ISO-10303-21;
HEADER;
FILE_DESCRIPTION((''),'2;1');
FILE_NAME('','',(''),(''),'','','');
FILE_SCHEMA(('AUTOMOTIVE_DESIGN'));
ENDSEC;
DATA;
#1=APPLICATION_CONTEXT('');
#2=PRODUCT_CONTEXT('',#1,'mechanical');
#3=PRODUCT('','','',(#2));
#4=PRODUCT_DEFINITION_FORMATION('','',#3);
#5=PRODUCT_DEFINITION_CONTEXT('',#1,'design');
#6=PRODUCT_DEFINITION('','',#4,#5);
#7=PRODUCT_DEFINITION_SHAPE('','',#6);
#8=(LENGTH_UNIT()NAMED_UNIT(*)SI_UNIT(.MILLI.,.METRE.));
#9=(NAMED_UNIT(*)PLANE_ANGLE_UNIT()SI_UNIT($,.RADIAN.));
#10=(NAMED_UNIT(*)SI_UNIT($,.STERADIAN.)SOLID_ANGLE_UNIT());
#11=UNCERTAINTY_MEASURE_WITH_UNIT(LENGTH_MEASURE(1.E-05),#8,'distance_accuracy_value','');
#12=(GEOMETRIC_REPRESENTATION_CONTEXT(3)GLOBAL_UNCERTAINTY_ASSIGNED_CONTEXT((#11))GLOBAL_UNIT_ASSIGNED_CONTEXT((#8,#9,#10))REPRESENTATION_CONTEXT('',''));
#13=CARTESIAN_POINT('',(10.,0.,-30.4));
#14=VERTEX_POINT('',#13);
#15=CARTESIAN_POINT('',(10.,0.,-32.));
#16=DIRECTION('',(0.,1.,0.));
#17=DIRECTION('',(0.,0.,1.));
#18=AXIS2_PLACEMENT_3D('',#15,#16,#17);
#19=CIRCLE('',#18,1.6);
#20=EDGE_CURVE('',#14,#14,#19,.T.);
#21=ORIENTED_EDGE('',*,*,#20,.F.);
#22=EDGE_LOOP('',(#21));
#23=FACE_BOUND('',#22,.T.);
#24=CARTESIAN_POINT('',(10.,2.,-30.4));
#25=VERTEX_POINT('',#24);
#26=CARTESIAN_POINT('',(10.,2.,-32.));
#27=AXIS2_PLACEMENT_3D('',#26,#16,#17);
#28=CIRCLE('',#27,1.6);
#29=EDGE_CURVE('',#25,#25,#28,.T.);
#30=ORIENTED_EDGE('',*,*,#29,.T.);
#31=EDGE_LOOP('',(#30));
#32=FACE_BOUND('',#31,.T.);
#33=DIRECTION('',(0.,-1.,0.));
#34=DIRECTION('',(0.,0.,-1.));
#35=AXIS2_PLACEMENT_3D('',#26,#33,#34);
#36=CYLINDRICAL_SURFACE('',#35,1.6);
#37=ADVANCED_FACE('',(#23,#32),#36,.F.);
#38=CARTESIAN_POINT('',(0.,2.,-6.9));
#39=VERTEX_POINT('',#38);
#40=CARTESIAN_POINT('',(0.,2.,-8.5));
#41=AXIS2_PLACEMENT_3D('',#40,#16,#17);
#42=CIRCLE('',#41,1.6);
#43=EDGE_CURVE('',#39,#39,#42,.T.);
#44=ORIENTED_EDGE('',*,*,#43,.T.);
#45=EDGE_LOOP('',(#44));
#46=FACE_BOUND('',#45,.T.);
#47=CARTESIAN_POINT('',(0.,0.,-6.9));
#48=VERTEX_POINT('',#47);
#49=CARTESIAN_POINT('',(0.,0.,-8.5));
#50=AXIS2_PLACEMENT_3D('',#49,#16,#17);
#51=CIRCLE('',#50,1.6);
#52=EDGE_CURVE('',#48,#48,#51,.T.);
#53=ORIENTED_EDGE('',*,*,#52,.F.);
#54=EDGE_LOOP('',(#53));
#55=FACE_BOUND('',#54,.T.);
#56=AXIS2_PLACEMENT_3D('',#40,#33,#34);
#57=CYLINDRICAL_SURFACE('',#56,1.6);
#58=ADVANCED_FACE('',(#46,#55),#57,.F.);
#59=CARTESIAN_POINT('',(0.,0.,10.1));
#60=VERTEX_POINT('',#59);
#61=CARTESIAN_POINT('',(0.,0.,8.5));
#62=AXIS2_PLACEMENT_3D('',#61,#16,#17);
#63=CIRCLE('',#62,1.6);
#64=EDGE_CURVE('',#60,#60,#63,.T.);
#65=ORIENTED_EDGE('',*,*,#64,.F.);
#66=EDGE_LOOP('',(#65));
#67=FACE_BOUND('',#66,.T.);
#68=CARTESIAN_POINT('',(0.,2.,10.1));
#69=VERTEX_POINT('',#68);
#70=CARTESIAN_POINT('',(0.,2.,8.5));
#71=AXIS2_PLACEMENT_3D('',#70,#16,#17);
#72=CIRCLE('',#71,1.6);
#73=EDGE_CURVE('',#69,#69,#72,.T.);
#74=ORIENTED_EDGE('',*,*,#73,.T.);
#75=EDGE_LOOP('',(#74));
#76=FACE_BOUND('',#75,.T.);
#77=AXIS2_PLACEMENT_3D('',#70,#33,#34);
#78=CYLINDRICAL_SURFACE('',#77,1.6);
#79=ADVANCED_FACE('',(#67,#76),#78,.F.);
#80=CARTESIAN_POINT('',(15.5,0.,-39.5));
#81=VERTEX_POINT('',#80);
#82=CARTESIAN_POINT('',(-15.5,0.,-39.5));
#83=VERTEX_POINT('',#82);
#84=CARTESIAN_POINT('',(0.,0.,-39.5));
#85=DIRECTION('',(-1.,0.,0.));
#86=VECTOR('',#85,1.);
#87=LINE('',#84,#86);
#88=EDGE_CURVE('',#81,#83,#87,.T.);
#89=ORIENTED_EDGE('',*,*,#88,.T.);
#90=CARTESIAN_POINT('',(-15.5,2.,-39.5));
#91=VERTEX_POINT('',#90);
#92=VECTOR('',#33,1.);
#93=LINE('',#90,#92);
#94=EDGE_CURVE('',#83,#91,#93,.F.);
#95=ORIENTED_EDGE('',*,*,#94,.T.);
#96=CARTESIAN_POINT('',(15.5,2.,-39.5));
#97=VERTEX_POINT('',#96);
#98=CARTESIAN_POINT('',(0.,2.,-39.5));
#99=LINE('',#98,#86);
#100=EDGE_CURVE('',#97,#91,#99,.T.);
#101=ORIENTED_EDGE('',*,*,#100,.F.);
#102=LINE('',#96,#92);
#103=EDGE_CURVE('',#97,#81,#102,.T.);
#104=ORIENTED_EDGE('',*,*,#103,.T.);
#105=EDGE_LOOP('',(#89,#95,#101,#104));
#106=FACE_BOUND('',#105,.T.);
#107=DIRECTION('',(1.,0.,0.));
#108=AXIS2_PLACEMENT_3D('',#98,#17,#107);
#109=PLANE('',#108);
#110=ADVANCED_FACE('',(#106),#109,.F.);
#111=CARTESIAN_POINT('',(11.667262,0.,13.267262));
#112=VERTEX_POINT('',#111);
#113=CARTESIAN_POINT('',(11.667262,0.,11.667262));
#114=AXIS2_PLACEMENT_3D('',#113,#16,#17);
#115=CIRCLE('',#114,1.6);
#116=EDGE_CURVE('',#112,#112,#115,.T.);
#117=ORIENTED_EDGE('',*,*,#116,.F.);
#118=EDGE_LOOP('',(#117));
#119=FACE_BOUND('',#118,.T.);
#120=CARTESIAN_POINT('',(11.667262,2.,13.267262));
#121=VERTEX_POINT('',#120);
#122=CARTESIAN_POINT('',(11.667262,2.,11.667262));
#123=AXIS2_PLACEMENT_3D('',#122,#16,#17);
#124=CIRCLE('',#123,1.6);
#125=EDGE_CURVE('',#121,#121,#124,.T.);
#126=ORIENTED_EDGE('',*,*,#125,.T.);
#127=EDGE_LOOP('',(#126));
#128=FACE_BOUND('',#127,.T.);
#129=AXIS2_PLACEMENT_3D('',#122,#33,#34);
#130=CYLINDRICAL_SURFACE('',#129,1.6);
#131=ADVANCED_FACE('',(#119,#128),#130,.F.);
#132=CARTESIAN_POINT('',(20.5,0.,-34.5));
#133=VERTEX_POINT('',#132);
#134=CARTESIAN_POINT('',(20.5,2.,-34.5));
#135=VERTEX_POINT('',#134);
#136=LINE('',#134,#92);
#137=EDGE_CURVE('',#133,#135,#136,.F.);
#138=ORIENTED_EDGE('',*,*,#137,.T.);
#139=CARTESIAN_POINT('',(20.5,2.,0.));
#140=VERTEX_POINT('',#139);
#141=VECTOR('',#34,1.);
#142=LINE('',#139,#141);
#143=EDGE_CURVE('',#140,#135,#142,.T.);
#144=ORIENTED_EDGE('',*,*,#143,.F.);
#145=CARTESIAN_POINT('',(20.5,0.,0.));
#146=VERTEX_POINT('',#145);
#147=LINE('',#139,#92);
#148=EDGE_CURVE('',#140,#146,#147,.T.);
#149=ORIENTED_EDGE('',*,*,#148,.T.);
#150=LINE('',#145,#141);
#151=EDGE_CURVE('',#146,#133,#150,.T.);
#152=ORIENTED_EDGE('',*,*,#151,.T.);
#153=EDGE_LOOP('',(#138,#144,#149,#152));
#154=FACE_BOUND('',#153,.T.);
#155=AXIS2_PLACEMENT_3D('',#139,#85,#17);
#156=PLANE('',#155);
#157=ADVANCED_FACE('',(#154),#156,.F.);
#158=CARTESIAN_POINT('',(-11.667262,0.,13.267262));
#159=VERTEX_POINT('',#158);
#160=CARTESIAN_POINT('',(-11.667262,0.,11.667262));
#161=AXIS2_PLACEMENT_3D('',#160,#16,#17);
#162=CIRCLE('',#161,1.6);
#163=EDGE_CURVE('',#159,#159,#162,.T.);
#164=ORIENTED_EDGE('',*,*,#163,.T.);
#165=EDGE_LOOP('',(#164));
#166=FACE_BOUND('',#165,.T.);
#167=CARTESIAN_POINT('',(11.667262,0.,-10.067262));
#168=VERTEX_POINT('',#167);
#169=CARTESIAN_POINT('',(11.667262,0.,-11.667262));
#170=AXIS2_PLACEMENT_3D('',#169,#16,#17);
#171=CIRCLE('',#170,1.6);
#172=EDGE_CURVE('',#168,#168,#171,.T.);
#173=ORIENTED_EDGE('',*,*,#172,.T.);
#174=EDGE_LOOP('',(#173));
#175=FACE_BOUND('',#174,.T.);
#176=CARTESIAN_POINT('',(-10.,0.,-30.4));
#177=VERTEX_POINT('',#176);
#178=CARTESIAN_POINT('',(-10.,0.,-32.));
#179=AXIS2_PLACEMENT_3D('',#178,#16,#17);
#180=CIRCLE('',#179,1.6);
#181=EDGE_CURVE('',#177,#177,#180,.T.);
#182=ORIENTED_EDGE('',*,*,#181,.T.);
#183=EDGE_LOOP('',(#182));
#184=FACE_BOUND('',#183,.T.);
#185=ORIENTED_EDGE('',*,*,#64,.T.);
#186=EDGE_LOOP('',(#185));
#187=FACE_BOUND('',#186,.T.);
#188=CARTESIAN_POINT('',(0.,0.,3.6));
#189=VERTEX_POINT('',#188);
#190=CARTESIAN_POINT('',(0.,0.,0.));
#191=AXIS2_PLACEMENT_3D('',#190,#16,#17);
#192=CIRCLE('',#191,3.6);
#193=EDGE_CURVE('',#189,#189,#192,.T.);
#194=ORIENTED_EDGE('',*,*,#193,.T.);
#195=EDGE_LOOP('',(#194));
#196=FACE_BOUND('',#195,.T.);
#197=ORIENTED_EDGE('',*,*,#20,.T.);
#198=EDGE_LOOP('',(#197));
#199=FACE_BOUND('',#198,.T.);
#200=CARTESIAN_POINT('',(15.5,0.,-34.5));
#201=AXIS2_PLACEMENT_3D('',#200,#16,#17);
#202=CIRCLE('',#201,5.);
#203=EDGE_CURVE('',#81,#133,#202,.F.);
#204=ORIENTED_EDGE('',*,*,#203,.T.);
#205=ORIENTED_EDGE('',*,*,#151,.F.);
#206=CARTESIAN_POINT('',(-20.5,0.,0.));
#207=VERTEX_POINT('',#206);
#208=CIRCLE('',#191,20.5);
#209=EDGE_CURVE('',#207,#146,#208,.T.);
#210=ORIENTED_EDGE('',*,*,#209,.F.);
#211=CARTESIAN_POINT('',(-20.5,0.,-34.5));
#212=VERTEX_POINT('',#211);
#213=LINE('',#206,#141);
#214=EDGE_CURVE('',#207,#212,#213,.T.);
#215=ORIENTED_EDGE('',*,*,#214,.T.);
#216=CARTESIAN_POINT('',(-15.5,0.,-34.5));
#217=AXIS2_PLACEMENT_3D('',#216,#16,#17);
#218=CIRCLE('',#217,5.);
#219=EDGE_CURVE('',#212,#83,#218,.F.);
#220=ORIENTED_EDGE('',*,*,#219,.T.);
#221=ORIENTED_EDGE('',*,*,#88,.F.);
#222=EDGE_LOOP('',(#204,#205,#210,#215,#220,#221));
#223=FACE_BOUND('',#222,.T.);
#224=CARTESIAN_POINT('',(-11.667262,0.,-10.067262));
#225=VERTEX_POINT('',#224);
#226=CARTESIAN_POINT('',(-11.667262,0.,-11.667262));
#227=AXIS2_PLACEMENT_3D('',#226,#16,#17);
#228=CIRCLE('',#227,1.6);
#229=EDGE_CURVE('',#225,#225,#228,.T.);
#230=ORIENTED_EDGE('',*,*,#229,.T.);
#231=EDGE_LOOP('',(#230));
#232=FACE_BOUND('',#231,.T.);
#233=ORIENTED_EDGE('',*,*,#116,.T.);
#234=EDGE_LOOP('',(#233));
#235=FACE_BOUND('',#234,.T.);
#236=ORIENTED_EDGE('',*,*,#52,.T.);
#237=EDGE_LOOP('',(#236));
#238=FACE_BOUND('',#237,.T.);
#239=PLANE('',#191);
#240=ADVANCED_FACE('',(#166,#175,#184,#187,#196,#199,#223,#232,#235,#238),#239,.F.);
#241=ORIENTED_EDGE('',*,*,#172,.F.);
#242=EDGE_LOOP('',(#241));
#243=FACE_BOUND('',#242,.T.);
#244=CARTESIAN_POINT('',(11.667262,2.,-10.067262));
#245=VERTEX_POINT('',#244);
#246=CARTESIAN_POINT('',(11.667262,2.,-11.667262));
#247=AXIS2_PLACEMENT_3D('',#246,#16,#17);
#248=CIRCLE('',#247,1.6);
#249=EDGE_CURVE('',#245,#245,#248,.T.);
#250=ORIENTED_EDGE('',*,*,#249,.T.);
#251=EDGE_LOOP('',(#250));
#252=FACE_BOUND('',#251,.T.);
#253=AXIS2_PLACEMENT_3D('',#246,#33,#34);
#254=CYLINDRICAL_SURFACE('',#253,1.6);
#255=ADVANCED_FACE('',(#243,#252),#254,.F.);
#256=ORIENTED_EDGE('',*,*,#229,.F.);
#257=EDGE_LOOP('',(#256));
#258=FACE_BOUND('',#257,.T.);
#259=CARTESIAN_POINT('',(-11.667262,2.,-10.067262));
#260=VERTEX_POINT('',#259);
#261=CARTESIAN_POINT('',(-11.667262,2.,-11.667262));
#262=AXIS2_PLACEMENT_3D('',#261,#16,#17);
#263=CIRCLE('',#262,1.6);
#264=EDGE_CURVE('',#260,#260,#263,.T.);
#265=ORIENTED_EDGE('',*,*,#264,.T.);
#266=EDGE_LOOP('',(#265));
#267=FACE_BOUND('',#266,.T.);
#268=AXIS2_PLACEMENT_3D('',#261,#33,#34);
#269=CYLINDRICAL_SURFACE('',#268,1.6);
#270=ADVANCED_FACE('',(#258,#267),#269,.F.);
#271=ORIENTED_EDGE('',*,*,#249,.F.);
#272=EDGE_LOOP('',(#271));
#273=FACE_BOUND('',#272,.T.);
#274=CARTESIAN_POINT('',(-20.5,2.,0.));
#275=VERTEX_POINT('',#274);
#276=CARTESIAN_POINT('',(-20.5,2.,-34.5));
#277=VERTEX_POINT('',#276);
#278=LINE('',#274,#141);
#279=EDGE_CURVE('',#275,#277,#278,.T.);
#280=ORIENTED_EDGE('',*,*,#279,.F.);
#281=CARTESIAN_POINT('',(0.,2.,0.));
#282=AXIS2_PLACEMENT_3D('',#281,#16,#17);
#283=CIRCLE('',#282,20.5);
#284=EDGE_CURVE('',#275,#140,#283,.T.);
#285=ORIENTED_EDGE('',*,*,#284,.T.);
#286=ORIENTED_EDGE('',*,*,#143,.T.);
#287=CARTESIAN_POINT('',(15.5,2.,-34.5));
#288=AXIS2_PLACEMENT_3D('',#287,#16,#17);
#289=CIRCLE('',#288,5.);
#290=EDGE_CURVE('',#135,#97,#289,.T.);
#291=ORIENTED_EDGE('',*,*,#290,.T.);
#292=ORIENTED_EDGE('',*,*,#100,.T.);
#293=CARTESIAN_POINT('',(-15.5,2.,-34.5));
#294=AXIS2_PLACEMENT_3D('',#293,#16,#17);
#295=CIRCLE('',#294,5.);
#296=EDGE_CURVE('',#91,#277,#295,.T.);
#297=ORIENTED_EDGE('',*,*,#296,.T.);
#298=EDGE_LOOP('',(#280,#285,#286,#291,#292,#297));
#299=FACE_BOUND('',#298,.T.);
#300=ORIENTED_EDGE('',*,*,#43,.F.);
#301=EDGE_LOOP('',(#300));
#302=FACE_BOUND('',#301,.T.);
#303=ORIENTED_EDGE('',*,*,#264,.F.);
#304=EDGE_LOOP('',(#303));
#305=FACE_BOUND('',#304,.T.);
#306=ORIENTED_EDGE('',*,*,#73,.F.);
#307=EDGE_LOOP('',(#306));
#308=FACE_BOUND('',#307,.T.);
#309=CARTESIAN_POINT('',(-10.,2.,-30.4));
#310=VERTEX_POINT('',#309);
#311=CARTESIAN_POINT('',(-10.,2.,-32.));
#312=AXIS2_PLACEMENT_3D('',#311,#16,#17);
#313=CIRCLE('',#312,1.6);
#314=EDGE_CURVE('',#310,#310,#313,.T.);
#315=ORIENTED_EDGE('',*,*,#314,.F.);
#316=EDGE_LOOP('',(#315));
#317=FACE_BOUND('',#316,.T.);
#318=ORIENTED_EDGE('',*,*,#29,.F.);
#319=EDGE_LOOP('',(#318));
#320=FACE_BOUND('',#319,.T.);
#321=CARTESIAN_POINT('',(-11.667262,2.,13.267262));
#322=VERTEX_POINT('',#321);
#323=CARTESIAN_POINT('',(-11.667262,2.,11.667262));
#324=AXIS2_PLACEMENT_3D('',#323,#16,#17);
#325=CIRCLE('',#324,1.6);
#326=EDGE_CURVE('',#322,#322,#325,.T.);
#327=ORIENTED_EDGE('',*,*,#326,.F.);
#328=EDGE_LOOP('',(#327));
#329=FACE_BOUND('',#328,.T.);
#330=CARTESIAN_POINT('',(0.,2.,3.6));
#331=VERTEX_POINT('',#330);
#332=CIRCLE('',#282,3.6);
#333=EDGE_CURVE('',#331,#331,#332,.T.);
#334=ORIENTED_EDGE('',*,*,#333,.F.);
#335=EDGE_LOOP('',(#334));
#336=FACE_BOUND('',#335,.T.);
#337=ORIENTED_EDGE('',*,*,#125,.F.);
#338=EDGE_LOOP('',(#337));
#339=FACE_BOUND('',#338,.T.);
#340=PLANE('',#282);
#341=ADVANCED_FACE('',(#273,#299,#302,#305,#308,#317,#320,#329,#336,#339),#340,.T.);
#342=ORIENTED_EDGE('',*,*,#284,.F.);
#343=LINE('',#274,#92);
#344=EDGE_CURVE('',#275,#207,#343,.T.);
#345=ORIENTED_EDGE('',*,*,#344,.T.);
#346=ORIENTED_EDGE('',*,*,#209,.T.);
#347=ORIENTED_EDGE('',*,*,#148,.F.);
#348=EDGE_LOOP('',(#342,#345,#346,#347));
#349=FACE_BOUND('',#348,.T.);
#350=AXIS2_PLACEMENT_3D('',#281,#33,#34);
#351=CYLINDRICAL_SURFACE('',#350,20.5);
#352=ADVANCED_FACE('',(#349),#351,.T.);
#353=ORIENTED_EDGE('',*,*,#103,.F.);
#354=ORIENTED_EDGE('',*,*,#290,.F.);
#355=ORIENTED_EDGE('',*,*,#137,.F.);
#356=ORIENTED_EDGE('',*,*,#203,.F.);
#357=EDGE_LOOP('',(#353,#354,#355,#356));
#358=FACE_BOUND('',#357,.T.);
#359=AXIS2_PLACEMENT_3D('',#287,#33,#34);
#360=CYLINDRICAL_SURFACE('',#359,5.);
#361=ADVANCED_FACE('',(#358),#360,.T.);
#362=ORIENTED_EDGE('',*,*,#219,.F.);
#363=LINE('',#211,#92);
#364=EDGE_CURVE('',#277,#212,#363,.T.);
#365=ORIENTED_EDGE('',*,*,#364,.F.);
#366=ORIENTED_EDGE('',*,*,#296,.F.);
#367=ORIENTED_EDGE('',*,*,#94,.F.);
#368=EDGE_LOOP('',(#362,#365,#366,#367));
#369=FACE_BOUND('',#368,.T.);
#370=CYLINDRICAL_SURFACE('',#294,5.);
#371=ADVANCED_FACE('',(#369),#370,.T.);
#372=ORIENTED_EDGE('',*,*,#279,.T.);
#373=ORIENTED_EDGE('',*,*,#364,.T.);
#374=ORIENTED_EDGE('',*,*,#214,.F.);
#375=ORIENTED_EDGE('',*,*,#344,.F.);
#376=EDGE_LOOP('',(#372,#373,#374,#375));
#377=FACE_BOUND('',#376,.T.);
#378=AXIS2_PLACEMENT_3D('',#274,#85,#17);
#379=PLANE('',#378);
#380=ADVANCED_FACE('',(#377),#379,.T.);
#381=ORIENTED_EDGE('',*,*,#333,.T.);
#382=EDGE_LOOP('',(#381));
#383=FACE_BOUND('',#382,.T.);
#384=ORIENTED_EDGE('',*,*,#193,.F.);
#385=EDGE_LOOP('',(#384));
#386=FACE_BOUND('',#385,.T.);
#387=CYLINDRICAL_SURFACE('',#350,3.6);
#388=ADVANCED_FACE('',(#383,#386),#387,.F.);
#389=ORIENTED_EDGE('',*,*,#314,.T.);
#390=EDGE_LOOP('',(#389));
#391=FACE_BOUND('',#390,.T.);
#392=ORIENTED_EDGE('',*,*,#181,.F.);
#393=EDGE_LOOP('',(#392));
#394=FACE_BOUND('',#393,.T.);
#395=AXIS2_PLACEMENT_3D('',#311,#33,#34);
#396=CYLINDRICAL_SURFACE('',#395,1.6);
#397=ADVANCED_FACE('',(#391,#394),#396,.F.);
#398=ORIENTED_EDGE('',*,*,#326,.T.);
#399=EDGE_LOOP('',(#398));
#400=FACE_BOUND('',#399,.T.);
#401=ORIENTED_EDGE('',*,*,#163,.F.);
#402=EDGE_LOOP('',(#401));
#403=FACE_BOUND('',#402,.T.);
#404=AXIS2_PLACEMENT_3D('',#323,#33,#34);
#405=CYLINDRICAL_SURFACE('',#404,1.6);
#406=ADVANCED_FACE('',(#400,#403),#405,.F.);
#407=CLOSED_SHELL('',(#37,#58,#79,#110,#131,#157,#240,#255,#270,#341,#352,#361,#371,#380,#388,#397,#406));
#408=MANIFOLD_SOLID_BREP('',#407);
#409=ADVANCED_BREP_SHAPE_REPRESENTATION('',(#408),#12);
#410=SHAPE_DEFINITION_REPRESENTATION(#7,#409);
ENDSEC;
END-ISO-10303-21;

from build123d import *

# Parameters (mm, degrees)
SKETCH_1_R      = 1.6
SKETCH_1_R_2    = 20.5
SKETCH_1_R_3    = 12.5
SKETCH_1_R_4    = 3.6
EXTRUDE_1_DEPTH = 2
FILLET_1_R      = 5


with BuildPart() as part:
    # 草图1 → 凸台-拉伸1 (new body)
    # profile 1 of 3: a face of its own
    with BuildSketch(Plane(origin=(0, 0, 0), x_dir=(1, 0, 0), z_dir=(0, 1, 0))):
        with BuildLine():
            Line((-20.5, 39.5), (-20.5, 0))
            ThreePointArc((-20.5, 0), (0, 20.5), (20.5, 0))
            Line((20.5, 0), (20.5, 39.5))
            Line((20.5, 39.5), (-20.5, 39.5))
        make_face()
        with Locations(Location((-10, 32, 0), (0, 0, 270))):
            Circle(SKETCH_1_R, mode=Mode.SUBTRACT)
        with Locations(Location((10, 32, 0), (0, 0, 270))):
            Circle(SKETCH_1_R, mode=Mode.SUBTRACT)
    # profile 2 of 3: a face of its own
    with BuildSketch(Plane(origin=(0, 0, 0), x_dir=(1, 0, 0), z_dir=(0, 1, 0))):
        Circle(SKETCH_1_R_2)
        with Locations(Location((11.66726189, -11.66726189, 0), (0, 0, 270))):
            Circle(SKETCH_1_R, mode=Mode.SUBTRACT)
        with Locations(Location((11.66726189, 11.66726189, 0), (0, 0, 270))):
            Circle(SKETCH_1_R, mode=Mode.SUBTRACT)
        with Locations(Location((-11.66726189, 11.66726189, 0), (0, 0, 270))):
            Circle(SKETCH_1_R, mode=Mode.SUBTRACT)
        with Locations(Location((-11.66726189, -11.66726189, 0), (0, 0, 270))):
            Circle(SKETCH_1_R, mode=Mode.SUBTRACT)
        Circle(SKETCH_1_R_3, mode=Mode.SUBTRACT)
    # profile 3 of 3: a face of its own
    with BuildSketch(Plane(origin=(0, 0, 0), x_dir=(1, 0, 0), z_dir=(0, 1, 0))):
        Circle(SKETCH_1_R_3)
        with Locations(Location((0, -8.5, 0), (0, 0, 270))):
            Circle(SKETCH_1_R, mode=Mode.SUBTRACT)
        with Locations(Location((0, 8.5, 0), (0, 0, 270))):
            Circle(SKETCH_1_R, mode=Mode.SUBTRACT)
        with Locations(Location((0, 0, 0), (0, 0, 270))):
            Circle(SKETCH_1_R_4, mode=Mode.SUBTRACT)
    extrude(amount=EXTRUDE_1_DEPTH)

    # 圆角1
    fillet_1_edges = [part.edges().sort_by_distance(p)[0] for p in [
        (-20.5, 1, -39.5),
        (20.5, 1, -39.5),
    ]]
    fillet(fillet_1_edges, radius=FILLET_1_R)


solid = part.part
